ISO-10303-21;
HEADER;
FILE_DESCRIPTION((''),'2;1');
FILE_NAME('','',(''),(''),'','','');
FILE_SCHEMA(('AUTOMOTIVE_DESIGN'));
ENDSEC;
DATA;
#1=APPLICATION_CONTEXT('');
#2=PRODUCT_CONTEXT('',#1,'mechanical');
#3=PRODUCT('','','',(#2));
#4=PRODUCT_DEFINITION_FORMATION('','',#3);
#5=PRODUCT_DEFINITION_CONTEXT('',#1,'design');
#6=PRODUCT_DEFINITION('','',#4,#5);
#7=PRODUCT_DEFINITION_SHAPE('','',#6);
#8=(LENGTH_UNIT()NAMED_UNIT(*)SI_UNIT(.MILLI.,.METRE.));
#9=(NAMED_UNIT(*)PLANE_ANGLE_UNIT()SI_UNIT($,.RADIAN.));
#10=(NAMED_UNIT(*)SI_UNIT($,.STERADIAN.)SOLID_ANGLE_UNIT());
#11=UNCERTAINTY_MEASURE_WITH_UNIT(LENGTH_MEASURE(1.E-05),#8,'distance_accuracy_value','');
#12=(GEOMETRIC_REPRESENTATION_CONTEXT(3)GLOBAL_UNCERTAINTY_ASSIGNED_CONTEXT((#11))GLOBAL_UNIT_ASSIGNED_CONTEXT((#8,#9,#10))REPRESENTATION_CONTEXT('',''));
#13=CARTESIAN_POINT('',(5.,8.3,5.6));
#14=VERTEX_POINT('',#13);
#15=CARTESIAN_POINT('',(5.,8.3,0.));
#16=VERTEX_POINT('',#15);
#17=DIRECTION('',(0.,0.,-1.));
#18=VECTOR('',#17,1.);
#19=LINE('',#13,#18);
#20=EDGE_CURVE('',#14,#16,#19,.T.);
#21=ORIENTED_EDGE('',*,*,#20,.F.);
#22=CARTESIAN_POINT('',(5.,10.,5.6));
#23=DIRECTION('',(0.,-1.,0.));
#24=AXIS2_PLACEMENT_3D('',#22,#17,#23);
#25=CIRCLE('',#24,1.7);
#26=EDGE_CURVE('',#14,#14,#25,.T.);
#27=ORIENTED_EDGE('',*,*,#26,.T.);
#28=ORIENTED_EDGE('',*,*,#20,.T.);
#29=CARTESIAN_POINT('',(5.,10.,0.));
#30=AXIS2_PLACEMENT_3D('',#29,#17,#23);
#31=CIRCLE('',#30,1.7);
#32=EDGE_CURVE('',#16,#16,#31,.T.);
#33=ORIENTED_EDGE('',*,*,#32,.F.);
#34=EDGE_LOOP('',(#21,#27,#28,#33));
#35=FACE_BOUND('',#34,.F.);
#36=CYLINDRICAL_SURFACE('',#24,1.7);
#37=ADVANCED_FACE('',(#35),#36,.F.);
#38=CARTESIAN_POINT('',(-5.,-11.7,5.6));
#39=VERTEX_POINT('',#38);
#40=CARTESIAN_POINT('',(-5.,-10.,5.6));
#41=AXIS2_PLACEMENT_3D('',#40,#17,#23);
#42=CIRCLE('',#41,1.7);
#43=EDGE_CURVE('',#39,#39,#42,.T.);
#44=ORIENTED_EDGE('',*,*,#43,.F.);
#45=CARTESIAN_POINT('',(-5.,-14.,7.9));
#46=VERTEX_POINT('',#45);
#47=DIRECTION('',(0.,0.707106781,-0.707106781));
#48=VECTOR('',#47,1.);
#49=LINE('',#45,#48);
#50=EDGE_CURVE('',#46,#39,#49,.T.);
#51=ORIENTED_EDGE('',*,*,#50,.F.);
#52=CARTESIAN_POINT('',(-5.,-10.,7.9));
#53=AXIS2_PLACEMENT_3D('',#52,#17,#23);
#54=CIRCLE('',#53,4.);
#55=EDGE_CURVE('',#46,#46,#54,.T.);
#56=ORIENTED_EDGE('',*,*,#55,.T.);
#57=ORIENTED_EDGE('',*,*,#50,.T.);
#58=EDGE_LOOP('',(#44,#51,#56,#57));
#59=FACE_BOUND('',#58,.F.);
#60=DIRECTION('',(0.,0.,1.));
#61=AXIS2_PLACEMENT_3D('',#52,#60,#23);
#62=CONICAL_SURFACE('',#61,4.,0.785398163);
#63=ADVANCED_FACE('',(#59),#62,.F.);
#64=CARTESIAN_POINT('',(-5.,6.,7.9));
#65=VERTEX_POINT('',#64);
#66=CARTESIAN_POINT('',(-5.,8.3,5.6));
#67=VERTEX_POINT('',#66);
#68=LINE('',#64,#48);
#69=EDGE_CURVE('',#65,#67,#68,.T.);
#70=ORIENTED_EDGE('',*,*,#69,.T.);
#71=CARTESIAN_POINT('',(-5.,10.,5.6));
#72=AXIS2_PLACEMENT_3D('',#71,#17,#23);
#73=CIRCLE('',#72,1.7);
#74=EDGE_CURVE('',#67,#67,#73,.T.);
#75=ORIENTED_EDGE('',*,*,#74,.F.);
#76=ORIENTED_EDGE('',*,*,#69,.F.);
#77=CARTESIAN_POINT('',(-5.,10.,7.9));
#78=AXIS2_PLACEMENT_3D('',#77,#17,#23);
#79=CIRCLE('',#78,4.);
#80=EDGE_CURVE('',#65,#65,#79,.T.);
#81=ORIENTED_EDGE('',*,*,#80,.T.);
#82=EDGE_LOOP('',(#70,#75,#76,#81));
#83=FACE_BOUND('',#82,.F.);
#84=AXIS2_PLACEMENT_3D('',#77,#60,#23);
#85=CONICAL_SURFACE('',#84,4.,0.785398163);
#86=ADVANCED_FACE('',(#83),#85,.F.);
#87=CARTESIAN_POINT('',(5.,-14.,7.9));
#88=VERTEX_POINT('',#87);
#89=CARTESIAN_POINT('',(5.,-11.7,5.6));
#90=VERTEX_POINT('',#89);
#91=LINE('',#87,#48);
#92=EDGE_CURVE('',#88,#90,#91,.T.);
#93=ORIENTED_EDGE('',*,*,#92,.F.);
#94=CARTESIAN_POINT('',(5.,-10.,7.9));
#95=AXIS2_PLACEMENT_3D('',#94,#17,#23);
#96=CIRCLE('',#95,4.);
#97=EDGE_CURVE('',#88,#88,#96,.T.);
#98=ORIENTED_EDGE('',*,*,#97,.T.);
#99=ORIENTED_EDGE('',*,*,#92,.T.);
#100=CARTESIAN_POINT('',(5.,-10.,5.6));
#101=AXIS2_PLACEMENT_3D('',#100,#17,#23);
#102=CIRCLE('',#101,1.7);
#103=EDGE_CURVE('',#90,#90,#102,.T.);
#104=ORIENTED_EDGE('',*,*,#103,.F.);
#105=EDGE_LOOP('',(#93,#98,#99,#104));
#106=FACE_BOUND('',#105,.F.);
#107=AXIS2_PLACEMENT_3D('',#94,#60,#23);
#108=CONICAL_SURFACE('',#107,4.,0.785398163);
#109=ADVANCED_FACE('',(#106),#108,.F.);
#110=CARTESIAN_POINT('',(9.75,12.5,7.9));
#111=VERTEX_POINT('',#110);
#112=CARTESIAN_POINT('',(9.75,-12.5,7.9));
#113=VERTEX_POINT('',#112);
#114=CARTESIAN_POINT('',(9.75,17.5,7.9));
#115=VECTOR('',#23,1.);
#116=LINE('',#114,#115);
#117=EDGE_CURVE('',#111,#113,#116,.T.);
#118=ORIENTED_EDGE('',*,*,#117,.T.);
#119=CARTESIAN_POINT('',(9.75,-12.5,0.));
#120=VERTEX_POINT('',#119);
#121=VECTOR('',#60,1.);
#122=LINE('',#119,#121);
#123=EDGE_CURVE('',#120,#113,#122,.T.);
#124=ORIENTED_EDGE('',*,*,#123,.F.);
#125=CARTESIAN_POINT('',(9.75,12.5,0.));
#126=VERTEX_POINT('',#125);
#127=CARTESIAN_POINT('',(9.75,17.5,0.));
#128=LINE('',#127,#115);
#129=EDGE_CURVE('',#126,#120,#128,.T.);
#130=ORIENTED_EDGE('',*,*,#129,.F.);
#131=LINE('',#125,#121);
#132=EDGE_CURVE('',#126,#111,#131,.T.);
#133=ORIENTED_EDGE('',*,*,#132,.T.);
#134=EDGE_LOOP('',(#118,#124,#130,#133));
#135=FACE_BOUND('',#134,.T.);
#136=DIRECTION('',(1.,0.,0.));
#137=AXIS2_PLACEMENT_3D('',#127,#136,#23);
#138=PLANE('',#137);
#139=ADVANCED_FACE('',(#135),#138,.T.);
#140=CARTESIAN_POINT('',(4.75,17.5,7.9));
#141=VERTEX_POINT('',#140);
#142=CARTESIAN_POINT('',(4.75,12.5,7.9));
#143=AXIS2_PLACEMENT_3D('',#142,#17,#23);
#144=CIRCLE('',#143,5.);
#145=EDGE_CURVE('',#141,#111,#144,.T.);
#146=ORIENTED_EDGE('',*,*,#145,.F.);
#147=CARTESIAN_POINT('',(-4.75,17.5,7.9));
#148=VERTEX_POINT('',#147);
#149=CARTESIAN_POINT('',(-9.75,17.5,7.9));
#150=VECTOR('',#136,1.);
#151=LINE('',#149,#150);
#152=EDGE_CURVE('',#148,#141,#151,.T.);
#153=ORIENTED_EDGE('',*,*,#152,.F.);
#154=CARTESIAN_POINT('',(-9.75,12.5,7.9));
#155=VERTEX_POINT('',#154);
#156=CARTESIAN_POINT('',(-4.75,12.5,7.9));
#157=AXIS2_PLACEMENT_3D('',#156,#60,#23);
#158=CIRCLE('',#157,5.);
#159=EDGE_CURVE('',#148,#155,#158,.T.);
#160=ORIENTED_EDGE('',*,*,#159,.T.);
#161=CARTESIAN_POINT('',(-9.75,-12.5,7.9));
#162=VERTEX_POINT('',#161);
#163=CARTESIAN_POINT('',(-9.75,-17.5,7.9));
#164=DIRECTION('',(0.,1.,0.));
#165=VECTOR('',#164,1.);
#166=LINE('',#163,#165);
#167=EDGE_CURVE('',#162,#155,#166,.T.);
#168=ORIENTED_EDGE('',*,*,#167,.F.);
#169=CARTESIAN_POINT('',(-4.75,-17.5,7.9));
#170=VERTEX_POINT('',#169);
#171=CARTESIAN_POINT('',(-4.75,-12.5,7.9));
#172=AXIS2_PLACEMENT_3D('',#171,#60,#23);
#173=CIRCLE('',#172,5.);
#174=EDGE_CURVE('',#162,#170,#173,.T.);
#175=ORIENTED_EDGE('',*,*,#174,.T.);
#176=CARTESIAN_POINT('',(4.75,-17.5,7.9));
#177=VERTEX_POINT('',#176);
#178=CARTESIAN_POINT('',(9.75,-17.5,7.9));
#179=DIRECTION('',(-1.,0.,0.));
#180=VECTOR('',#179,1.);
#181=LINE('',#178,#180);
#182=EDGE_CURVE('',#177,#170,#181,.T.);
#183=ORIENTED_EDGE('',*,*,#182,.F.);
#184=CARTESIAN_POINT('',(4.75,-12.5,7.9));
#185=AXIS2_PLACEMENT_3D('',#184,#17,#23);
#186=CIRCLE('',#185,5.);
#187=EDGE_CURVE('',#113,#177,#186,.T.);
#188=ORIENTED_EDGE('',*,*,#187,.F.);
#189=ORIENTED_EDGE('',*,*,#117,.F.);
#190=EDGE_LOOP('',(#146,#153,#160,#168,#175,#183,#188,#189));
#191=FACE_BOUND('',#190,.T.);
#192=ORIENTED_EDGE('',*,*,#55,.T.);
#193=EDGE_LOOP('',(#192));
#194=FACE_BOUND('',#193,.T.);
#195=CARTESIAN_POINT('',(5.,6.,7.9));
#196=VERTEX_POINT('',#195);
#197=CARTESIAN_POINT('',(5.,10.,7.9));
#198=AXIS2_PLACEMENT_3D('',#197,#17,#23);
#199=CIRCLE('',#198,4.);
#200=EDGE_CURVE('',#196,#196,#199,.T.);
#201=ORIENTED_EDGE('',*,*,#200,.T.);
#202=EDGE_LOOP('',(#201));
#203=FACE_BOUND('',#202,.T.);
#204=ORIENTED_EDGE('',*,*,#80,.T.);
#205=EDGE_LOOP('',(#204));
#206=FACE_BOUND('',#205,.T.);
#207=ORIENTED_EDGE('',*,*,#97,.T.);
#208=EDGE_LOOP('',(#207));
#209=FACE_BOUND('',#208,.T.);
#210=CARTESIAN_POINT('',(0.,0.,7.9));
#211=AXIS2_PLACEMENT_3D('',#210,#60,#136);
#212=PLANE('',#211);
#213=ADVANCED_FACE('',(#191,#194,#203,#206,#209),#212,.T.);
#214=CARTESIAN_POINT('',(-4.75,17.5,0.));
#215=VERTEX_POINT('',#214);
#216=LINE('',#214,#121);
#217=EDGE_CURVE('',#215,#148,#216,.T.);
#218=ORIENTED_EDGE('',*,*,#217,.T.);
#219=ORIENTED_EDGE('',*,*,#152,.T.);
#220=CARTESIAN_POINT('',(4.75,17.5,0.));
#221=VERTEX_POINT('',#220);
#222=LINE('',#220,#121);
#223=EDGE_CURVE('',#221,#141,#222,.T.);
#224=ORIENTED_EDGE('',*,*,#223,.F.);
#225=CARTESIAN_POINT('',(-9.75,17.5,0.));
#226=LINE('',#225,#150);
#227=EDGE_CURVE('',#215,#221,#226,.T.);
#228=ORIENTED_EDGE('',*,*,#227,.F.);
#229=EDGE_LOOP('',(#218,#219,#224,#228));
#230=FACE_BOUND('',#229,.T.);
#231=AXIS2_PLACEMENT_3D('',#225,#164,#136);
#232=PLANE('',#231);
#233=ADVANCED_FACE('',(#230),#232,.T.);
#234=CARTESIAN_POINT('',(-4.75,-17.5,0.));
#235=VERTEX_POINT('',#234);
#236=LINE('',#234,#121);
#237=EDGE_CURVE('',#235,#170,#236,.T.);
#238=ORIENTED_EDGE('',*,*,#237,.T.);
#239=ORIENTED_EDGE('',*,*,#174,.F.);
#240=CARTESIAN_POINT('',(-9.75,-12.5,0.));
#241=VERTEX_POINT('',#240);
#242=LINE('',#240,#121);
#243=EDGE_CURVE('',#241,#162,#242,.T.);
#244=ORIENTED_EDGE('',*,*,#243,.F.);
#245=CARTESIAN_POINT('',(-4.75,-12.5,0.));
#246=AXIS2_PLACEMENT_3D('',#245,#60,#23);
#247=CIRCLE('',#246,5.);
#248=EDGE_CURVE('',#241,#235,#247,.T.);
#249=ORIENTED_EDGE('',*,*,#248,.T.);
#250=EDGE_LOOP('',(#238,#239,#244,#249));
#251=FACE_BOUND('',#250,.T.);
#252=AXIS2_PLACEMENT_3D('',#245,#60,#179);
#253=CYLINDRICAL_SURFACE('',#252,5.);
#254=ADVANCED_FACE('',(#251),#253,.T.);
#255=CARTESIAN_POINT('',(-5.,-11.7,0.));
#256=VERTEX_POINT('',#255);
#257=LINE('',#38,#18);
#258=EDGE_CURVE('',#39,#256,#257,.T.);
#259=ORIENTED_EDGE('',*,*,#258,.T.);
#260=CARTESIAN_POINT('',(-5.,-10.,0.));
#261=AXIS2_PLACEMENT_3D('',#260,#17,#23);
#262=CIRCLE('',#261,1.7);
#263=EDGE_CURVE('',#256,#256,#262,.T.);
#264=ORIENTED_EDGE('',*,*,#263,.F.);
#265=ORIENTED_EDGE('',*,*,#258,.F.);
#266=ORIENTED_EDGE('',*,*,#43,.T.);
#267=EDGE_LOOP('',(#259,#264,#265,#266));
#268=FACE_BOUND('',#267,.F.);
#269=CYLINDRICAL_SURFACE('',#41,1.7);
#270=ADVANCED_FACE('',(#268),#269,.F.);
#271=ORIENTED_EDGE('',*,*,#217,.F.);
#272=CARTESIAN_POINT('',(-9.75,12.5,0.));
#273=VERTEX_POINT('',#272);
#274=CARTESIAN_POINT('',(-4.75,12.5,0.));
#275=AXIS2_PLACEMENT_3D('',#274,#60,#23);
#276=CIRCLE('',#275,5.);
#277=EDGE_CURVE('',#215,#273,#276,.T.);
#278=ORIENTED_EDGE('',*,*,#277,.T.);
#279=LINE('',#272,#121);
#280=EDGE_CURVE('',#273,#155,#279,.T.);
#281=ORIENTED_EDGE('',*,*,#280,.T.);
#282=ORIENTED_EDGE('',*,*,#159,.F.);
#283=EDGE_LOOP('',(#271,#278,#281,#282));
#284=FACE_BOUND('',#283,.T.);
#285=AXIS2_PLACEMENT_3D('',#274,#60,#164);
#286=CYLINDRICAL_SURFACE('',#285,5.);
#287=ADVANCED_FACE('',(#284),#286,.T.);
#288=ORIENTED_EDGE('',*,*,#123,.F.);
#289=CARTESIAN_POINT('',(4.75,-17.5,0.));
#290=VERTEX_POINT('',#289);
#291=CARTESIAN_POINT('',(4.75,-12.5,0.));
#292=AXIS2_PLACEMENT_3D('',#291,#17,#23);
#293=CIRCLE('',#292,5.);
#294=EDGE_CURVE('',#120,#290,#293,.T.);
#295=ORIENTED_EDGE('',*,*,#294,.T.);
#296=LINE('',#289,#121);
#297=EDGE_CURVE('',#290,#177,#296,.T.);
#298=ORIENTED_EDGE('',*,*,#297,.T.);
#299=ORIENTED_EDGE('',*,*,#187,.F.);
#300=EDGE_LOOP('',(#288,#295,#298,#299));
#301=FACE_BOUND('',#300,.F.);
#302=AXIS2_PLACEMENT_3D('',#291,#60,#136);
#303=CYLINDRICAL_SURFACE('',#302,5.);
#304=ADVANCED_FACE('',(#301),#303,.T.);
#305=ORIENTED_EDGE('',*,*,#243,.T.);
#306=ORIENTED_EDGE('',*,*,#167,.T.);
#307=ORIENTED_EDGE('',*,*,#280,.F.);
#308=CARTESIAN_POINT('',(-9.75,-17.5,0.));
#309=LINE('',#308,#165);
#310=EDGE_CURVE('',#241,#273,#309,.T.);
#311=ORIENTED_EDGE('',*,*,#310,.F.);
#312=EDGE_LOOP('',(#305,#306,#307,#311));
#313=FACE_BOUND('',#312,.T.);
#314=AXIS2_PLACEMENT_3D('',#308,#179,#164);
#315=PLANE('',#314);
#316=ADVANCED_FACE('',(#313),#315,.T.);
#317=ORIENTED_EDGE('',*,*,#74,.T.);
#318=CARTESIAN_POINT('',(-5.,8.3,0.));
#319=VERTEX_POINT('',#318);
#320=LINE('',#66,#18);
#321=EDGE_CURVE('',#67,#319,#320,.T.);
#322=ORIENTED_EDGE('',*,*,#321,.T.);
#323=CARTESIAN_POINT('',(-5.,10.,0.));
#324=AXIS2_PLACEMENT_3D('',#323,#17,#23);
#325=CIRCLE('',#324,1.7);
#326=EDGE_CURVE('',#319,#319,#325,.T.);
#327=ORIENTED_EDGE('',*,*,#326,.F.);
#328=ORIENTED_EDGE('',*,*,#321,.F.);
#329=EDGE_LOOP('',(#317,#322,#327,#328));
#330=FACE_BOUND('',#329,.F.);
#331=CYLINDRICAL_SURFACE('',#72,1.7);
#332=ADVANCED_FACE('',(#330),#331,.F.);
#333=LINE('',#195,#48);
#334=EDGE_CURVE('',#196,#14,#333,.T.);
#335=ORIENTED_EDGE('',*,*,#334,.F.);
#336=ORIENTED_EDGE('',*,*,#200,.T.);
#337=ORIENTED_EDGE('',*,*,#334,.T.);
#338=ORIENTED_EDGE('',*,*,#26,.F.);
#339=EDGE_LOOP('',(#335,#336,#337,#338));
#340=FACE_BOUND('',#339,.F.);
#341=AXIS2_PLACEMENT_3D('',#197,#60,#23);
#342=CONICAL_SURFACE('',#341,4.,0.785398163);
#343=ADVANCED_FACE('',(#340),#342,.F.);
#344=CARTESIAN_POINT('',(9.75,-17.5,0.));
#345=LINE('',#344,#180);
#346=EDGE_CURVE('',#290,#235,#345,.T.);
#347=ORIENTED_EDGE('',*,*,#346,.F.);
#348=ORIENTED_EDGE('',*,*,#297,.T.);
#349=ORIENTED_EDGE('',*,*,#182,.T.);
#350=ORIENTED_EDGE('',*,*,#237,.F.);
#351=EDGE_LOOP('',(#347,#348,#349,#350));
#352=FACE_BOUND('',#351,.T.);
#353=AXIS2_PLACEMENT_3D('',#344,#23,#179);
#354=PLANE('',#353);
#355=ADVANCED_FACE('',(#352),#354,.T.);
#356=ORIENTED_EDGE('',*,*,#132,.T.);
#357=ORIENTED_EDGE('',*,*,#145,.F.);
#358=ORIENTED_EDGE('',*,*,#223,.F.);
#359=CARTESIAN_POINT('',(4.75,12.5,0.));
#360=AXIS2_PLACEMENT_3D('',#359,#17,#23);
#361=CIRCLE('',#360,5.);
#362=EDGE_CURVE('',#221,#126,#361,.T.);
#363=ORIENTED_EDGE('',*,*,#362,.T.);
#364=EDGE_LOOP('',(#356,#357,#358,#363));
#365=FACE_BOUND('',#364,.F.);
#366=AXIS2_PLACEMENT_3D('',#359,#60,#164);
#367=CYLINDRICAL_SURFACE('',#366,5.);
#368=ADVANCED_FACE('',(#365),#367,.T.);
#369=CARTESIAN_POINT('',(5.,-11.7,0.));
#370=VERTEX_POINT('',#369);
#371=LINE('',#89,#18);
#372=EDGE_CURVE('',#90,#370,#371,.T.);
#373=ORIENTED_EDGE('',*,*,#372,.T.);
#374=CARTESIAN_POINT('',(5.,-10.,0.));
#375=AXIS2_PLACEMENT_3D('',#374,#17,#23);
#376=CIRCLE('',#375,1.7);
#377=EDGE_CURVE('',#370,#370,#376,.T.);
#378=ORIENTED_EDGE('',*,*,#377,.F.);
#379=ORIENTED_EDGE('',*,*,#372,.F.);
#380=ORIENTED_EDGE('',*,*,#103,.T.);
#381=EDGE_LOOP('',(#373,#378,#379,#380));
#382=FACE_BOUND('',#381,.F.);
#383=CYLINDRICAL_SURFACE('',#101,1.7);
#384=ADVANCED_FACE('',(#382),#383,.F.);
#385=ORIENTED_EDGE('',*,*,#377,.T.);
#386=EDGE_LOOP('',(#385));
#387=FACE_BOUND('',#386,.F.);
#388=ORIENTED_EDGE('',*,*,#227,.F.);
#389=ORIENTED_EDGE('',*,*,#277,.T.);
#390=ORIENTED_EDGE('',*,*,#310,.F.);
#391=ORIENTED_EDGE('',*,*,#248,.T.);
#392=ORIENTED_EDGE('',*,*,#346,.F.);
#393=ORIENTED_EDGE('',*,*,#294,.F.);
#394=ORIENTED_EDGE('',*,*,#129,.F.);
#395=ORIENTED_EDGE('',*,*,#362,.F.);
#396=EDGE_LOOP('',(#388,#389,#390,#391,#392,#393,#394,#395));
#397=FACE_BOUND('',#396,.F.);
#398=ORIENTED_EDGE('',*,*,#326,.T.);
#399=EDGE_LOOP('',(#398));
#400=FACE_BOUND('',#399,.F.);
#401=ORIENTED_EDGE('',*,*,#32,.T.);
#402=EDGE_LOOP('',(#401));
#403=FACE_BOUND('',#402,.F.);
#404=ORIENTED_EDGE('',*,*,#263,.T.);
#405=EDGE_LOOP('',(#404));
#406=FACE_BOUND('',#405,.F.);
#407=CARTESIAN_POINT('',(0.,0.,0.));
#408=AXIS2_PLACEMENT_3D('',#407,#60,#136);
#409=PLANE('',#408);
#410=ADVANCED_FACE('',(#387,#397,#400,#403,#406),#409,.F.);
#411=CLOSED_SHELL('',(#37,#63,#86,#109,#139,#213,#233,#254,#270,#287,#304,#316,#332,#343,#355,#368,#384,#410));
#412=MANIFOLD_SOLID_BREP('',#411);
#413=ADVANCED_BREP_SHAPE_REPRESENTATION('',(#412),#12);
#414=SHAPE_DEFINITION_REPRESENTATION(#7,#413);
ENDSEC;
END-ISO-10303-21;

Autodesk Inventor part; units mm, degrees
ref_plane "YZ Plane" through (0, 0, 0) normal (1, 0, 0) x (0, 1, 0)
ref_plane "XZ Plane" through (0, 0, 0) normal (0, 1, 0) x (-1, 0, 0)
ref_plane "XY Plane" through (0, 0, 0) normal (0, 0, 1) x (1, 0, 0)
sketch "Sketch1" plane through (0, 0, 0) normal (0, 0, 1) x (1, 0, 0)
  line L0 (-9.75, 17.5) -> (9.75, 17.5)
  line L1 (9.75, 17.5) -> (9.75, -17.5)
  line L2 (9.75, -17.5) -> (-9.75, -17.5)
  line L3 (-9.75, -17.5) -> (-9.75, 17.5)
  line L4 (-9.75, 17.5) -> (9.75, -17.5) construction
  line L5 (9.75, 17.5) -> (-9.75, -17.5) construction
  point P0 (0, 0)
  dimension "d0" = 19.5
  dimension "d1" = 35
extrude "Extrusion1" add sketch "Sketch1" along normal blind 7.9
sketch "Sketch2" plane through (0, 0, 7.9) normal (0, 0, 1) x (1, 0, 0)
  line L0 (-5, 10) -> (5, 10)
  line L1 (5, 10) -> (5, -10)
  line L2 (5, -10) -> (-5, -10)
  line L3 (-5, -10) -> (-5, 10)
  line L4 (-5, 10) -> (5, -10) construction
  line L5 (5, 10) -> (-5, -10) construction
  point P0 (0, 0)
  dimension "d4" = 10
  dimension "d5" = 20
hole "Hole1" at (-5, 10, 7.9) at (5, 10, 7.9) at (5, -10, 7.9) at (-5, -10, 7.9) direction (0, 0, -1) diameter 3.4 end through all countersink diameter 8 countersink angle 90 clearance for "Countersunk Flat Head Screw ISO 2009/7046" size "M3" standard "ISO"
fillet "Fillet1" radius 5 4 edges at (9.75, -17.5, 3.95) (-9.75, -17.5, 3.95) (-9.75, 17.5, 3.95) (9.75, 17.5, 3.95)
properties part number "RailTab"
